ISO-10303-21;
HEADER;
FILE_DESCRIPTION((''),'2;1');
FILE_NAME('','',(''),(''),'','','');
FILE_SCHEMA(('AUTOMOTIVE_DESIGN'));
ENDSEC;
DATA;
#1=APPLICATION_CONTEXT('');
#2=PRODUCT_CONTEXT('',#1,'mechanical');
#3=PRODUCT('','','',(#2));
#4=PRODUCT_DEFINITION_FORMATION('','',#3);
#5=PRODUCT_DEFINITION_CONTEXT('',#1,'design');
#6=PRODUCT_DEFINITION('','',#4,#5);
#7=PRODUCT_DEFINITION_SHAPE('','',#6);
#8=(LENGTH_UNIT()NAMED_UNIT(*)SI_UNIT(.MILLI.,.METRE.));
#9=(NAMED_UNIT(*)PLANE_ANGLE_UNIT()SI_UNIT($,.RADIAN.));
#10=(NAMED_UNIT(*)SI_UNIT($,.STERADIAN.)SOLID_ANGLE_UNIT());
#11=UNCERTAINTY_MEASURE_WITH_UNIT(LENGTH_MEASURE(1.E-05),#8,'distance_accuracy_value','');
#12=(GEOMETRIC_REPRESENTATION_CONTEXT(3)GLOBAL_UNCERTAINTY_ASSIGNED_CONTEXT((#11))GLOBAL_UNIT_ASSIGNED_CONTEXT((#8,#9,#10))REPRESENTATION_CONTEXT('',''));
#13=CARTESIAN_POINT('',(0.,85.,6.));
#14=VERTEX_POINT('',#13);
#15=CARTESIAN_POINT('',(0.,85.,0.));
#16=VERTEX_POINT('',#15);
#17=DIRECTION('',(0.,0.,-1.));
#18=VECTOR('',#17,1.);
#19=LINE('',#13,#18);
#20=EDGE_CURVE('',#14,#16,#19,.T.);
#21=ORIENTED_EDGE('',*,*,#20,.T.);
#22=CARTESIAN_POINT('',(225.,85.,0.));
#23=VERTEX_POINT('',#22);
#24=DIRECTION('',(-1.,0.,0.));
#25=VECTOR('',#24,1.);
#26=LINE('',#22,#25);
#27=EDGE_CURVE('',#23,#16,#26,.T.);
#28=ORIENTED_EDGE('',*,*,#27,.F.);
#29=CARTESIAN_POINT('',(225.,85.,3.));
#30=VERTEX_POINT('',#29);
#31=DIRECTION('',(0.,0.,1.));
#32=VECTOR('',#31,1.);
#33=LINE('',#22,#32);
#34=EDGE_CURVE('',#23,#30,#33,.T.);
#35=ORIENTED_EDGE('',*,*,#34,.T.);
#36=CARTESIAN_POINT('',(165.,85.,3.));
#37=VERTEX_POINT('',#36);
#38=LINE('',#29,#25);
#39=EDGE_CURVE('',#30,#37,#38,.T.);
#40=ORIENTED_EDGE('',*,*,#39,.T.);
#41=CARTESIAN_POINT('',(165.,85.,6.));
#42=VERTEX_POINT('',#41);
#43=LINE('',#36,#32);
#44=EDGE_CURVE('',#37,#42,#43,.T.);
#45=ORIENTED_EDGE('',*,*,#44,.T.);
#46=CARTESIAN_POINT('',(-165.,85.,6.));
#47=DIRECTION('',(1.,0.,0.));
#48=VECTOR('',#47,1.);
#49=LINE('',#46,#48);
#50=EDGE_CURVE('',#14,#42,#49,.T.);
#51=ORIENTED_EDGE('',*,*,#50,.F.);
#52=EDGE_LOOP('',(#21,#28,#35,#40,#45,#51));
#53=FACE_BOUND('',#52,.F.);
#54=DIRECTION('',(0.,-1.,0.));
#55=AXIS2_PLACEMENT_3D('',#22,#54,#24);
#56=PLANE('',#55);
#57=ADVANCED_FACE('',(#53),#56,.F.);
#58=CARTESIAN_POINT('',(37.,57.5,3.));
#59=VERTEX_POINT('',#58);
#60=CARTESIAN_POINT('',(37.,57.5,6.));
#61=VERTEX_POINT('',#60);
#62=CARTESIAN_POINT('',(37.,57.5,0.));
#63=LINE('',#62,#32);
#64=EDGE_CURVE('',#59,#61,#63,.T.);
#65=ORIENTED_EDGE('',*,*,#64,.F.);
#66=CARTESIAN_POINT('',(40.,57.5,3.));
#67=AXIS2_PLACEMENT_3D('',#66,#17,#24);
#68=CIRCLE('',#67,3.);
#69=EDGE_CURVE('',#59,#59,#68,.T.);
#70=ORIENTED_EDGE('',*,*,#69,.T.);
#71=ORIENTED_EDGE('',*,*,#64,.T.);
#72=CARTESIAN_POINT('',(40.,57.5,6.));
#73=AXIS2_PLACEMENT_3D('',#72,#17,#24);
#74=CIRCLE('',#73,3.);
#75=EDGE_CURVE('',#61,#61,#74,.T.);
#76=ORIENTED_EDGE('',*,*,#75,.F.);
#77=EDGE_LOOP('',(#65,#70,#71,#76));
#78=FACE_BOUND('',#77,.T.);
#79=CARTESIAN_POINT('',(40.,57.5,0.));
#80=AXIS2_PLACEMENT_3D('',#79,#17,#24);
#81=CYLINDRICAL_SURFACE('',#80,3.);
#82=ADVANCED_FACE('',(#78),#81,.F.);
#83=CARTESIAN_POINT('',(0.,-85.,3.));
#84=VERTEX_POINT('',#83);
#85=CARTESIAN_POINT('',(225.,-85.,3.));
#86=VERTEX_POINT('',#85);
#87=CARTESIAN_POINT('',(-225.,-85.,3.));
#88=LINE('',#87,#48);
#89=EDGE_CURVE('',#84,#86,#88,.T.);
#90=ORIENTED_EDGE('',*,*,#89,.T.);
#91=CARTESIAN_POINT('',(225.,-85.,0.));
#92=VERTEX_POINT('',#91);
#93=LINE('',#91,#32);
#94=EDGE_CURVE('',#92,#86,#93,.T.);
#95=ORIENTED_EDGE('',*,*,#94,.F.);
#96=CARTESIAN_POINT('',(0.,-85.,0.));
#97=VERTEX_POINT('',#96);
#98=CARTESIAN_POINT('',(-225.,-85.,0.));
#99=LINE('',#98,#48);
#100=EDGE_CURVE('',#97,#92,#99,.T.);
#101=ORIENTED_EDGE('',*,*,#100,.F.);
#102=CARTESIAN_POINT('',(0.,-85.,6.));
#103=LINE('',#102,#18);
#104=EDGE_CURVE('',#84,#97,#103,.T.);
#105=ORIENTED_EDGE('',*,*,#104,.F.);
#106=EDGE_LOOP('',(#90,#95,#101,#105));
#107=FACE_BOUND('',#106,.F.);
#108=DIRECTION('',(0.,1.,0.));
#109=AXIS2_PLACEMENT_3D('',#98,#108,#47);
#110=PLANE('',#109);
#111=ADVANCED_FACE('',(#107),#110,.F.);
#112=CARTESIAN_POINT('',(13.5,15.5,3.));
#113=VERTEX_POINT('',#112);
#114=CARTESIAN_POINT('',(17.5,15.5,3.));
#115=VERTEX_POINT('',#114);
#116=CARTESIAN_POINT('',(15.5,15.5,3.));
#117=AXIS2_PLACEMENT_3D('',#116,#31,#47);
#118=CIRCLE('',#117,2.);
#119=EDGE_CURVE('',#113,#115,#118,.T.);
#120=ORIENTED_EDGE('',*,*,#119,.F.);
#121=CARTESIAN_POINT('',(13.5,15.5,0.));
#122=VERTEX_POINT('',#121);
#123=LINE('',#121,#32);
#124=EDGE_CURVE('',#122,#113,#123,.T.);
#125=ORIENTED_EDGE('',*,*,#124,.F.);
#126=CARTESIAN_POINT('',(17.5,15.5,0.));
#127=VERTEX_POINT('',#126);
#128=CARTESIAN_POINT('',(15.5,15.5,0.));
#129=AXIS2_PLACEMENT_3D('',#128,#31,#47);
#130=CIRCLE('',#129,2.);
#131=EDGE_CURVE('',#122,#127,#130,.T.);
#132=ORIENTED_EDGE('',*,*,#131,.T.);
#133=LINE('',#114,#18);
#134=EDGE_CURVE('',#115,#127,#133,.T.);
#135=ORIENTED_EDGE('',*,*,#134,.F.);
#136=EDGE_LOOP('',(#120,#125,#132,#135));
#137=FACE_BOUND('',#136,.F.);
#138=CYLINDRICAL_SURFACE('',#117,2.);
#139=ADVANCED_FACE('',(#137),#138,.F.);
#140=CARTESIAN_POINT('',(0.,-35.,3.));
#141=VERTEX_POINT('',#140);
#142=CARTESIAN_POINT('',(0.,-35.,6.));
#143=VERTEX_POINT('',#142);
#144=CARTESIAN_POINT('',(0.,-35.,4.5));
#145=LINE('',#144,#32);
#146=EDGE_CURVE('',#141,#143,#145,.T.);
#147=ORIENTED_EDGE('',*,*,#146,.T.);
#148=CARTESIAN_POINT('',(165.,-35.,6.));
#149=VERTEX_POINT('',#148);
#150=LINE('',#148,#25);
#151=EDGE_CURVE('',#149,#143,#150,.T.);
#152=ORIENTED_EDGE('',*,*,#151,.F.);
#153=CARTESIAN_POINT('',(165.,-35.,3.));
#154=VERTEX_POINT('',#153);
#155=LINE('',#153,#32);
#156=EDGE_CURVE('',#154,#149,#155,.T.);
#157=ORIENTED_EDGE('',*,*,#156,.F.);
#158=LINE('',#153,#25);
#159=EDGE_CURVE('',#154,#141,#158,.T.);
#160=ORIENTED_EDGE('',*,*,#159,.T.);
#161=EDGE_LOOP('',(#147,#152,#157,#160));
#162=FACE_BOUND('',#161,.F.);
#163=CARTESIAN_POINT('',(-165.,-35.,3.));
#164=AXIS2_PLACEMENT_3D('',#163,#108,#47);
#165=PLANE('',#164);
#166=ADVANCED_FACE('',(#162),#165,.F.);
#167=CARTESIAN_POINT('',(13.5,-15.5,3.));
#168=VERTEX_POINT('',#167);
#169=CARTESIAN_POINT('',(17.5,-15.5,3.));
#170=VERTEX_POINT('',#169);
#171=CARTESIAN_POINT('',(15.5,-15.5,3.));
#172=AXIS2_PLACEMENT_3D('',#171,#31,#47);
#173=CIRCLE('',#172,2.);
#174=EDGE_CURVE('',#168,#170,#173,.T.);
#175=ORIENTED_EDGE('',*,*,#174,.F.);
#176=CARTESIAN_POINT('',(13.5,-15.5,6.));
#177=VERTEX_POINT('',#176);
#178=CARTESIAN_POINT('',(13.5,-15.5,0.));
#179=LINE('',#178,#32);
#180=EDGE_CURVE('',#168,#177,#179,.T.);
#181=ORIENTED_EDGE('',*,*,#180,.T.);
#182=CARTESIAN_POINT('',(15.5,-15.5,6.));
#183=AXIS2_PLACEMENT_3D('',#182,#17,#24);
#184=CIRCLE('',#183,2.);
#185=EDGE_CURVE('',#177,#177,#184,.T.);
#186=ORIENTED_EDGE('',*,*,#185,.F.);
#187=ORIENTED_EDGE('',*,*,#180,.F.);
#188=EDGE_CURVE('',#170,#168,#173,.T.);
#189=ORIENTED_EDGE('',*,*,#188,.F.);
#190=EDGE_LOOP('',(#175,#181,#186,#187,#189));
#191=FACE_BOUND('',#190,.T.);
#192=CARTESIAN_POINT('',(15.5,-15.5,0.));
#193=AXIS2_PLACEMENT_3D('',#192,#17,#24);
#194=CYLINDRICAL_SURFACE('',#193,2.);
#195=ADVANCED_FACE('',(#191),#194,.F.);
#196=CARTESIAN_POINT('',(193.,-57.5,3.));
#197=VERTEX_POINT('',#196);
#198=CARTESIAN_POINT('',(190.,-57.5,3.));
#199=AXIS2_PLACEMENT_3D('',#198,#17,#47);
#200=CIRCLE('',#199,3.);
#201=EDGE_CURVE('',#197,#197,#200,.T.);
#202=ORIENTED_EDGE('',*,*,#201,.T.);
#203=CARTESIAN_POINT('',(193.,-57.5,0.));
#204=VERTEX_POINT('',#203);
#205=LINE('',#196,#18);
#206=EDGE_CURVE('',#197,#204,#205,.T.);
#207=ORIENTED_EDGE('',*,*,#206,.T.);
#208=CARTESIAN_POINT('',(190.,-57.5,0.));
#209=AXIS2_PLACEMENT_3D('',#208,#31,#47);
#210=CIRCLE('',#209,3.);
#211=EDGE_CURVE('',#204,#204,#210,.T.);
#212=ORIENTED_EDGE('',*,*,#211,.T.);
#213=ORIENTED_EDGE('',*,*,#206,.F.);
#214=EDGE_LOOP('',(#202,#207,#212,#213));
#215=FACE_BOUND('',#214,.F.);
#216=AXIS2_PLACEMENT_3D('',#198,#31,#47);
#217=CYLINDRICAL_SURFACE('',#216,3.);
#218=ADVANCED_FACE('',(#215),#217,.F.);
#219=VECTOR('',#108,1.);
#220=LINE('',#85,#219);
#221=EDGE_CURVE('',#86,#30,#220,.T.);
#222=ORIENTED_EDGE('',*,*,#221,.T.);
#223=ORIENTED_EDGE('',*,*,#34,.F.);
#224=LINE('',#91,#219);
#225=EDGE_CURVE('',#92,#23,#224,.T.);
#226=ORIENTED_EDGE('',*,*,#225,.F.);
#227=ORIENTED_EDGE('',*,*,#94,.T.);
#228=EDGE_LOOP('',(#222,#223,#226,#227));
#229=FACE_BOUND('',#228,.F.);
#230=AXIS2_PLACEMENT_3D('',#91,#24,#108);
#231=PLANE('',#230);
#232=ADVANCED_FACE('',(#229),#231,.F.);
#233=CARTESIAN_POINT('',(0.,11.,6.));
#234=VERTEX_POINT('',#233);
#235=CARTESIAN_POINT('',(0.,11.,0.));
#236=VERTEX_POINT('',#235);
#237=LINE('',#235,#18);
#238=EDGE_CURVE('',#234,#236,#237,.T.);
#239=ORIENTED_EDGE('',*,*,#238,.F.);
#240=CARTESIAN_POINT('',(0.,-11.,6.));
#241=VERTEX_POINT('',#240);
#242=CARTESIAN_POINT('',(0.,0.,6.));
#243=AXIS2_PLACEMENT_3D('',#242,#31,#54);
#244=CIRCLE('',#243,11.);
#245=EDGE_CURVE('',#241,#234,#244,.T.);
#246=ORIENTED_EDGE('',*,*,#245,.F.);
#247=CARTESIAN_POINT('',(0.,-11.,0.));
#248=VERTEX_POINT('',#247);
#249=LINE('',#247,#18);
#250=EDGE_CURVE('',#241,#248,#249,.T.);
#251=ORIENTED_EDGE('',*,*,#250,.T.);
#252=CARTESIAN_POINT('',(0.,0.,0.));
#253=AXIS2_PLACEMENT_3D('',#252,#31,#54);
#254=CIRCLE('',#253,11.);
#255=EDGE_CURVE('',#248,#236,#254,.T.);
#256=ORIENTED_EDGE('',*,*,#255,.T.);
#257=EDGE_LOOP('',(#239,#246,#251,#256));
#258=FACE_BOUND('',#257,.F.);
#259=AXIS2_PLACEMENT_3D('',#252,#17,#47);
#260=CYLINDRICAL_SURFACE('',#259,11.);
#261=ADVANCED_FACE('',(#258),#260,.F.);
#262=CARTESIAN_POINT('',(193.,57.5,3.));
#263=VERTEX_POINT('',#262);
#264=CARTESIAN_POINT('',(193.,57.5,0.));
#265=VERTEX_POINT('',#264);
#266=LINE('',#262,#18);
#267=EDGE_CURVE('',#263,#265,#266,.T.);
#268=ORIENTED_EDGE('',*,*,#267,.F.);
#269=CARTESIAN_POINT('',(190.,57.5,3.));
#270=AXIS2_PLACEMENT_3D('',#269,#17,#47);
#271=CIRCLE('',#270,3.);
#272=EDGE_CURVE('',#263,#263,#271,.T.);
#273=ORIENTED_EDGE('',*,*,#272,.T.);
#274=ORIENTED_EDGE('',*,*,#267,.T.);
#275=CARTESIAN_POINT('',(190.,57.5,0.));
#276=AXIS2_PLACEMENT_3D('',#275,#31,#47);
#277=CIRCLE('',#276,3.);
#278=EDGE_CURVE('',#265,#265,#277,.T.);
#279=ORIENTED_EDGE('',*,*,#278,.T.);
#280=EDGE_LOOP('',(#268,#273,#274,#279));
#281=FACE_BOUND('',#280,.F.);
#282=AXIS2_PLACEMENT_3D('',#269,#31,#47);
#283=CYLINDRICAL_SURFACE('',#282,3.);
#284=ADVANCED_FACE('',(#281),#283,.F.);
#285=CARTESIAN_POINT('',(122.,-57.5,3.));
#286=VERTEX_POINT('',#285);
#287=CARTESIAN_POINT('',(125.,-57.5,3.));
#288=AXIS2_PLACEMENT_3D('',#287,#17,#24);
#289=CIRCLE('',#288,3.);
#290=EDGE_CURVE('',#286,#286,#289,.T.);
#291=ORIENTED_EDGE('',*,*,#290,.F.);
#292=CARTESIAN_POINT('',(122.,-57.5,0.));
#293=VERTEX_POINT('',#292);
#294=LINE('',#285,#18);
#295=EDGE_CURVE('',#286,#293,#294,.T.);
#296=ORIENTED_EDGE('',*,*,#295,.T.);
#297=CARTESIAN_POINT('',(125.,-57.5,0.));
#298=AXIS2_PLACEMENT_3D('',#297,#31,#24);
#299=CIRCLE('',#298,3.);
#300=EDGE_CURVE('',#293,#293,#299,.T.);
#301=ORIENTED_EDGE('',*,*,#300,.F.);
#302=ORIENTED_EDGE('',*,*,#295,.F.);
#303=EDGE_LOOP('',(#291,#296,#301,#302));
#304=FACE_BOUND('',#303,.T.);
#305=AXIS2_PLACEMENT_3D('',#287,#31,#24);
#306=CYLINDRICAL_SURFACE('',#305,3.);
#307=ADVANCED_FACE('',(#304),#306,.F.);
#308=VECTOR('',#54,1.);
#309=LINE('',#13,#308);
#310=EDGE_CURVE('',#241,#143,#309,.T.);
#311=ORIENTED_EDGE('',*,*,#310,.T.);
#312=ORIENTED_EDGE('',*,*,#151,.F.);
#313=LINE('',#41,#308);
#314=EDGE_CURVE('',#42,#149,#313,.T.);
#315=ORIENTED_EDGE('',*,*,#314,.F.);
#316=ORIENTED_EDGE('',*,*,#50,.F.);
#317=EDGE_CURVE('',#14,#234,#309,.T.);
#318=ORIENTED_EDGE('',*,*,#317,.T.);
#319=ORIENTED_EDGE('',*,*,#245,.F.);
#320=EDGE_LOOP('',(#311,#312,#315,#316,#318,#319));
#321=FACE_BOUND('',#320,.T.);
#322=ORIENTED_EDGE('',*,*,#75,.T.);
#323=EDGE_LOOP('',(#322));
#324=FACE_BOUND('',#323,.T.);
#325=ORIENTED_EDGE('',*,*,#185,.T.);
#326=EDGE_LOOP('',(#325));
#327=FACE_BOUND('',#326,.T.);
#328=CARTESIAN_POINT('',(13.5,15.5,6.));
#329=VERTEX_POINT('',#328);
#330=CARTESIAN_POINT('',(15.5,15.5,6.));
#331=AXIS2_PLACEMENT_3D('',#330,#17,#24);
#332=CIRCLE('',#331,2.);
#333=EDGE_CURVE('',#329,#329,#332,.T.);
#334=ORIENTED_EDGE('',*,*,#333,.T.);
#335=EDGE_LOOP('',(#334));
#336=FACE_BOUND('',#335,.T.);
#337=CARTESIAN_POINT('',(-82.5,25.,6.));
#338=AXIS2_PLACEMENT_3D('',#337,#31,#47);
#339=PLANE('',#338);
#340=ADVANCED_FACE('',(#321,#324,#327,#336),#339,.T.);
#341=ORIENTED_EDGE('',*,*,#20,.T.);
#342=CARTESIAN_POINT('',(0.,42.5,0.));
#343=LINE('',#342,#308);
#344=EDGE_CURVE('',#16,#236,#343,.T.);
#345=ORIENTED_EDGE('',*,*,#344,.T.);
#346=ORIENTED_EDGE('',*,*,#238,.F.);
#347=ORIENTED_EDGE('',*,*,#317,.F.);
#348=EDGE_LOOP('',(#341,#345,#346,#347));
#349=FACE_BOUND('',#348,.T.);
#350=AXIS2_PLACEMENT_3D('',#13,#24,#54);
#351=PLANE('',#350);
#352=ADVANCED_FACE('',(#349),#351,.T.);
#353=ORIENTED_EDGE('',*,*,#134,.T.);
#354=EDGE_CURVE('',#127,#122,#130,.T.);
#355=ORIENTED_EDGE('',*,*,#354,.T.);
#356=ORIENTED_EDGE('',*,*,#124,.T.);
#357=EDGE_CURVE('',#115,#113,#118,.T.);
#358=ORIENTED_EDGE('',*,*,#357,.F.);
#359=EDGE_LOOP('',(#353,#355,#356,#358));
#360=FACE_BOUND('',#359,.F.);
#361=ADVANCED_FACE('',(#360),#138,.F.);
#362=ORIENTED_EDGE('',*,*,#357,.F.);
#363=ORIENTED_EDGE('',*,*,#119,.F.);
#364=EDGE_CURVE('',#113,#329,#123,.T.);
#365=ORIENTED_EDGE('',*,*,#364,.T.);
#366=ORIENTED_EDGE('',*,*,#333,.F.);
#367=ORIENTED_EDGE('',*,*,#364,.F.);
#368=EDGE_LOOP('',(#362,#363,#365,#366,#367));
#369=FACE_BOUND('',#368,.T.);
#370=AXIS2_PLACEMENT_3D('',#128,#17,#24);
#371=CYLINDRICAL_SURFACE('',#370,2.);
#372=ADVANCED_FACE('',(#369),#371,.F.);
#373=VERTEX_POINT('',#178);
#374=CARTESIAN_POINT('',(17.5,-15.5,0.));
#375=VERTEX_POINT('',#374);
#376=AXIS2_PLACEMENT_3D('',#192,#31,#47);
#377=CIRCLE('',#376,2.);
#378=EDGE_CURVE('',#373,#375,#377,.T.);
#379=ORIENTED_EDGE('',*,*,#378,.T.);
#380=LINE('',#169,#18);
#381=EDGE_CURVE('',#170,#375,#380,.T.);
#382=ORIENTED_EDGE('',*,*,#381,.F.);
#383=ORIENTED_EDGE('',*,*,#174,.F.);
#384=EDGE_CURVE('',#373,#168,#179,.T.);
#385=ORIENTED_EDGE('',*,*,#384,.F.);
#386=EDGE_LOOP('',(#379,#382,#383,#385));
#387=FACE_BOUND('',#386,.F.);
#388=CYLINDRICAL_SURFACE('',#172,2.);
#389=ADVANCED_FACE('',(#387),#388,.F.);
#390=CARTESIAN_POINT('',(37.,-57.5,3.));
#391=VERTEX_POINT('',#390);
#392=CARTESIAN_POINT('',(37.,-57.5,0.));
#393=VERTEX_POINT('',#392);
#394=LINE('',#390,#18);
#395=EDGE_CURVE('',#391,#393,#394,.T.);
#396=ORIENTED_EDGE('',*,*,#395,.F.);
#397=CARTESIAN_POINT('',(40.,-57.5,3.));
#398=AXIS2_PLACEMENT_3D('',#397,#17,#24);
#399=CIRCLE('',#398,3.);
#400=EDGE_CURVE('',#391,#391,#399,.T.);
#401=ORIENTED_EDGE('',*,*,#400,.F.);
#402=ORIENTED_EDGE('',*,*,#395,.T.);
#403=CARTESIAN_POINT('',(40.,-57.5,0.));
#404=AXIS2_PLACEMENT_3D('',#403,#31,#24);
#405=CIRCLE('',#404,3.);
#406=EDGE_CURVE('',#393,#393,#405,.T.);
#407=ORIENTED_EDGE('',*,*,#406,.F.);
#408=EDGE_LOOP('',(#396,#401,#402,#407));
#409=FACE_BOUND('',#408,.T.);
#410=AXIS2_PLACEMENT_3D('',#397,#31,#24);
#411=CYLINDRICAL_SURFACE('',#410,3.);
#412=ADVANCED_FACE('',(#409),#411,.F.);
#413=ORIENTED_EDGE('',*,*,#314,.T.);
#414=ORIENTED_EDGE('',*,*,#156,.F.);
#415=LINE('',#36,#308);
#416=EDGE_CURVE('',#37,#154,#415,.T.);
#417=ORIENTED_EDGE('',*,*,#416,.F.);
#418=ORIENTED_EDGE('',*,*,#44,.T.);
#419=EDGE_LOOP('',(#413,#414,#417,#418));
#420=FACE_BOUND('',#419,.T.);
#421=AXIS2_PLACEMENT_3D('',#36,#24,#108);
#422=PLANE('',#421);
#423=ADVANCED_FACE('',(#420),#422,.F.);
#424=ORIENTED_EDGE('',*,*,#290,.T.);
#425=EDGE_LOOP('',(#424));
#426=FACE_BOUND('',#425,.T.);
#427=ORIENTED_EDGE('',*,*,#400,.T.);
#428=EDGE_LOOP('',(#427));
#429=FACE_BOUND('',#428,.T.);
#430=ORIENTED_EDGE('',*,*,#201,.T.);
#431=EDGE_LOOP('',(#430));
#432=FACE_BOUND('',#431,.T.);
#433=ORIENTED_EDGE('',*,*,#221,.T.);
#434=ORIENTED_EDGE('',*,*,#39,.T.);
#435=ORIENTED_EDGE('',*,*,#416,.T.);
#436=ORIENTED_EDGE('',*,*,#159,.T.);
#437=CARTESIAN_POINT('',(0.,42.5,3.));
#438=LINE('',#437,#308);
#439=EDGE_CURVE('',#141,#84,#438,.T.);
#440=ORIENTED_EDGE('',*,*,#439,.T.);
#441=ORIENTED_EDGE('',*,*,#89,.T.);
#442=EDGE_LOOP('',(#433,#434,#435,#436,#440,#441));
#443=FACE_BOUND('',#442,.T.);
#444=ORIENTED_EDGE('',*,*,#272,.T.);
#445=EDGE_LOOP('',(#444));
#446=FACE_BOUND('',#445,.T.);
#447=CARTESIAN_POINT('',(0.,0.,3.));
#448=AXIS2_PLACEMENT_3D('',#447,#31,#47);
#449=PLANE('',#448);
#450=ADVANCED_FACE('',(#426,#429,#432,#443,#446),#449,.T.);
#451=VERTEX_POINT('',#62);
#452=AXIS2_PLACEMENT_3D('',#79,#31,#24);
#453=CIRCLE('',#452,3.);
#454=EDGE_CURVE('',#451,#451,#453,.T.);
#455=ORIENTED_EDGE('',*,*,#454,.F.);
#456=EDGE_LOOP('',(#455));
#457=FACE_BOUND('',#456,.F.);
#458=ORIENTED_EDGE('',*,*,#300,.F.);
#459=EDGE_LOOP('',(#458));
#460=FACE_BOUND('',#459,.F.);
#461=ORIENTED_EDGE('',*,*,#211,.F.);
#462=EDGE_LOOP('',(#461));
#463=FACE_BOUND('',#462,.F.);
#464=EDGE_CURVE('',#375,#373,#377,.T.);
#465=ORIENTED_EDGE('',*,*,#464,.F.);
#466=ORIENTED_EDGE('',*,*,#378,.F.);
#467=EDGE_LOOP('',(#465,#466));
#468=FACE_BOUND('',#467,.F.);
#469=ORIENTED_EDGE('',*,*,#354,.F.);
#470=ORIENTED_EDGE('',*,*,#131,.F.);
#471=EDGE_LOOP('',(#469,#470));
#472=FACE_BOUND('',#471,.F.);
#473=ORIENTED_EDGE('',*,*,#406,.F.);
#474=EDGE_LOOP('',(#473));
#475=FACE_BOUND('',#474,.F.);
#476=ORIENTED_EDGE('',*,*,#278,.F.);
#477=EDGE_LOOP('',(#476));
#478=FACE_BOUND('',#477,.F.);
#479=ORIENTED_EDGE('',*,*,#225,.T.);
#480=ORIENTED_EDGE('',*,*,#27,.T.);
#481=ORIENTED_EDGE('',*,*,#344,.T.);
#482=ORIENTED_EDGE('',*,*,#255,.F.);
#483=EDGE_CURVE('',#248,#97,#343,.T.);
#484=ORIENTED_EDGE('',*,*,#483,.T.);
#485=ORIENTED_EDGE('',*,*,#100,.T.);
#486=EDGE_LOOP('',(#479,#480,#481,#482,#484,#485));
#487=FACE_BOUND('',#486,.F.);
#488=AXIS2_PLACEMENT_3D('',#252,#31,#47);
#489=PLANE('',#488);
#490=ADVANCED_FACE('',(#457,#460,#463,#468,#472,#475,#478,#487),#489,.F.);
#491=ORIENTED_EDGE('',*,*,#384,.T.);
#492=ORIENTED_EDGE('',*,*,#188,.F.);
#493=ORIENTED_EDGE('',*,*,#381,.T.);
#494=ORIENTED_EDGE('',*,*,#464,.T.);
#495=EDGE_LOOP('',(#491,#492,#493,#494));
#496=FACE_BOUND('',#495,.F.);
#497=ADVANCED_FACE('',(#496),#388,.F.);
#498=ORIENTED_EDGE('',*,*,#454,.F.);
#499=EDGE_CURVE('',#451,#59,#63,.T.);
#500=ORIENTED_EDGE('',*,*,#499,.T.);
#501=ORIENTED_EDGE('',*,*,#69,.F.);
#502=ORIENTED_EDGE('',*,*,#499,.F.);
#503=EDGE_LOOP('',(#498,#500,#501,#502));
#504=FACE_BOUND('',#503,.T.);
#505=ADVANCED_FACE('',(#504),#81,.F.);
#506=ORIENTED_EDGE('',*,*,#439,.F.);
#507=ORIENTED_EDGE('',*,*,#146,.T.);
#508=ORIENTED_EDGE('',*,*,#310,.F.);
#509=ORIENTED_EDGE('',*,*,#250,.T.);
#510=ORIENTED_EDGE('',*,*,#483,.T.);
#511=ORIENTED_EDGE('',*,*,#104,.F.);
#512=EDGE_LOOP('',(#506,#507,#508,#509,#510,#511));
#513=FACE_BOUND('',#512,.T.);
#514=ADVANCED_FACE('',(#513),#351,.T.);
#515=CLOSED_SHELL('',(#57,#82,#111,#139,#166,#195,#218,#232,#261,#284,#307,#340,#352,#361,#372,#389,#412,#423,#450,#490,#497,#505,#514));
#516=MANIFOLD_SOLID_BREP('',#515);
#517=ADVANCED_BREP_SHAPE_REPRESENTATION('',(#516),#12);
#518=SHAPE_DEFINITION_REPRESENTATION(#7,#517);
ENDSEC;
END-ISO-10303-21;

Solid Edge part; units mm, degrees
sketch "Sketch1" plane through (0, 0, 0) normal (0, 0, 1) x (1, 0, 0)
  line L0 (-225, -85) -> (225, -85)
  line L1 (225, -85) -> (225, 85)
  line L2 (225, 85) -> (-225, 85)
  line L3 (-225, 85) -> (-225, -85)
  dimension "D1" = 450
  dimension "D2" = 170
extrude "Protrusion1" add sketch "Sketch1" along normal blind 3
sketch "Sketch2" plane through (0, 0, 3) normal (0, 0, 1) x (1, 0, 0)
  circle A0 centre (-190, 57.5) radius 3
  circle A1 centre (-190, -57.5) radius 3
  circle A2 centre (190, -57.5) radius 3
  circle A3 centre (190, 57.5) radius 3
  dimension "D1" = 380
  dimension "D2" = 115
  dimension "D3" = 6
extrude "Cutout1" cut sketch "Sketch2" against normal through all
sketch "Sketch3" plane through (0, 0, 3) normal (0, 0, 1) x (1, 0, 0)
  circle A0 centre (-15.5, 15.5) radius 2
  circle A1 centre (15.5, 15.5) radius 2
  circle A2 centre (15.5, -15.5) radius 2
  circle A3 centre (-15.5, -15.5) radius 2
  dimension "D1" = 31
  dimension "D2" = 4
extrude "Cutout2" cut sketch "Sketch3" against normal through all
sketch "Sketch4" plane through (-112.5, 0, 3) normal (0, 0, 1) x (1, 0, 0)
  circle A0 centre (-12.5, -57.5) radius 3
  dimension "D1" = 125
extrude "Cutout3" cut sketch "Sketch4" against normal through all
sketch "Sketch5" plane through (-112.5, 0, 3) normal (0, 0, 1) x (1, 0, 0)
  line L0 (112.5, 85) -> (-52.5, 85)
  line L1 (-52.5, 85) -> (-52.5, -35)
  line L2 (-52.5, -35) -> (112.5, -35)
  line L3 (112.5, -35) -> (112.5, 85)
  dimension "D1" = 120
  dimension "D2" = 165
extrude "Extrusionsausprägung_2" add sketch "Sketch5" along normal blind 3
sketch "Sketch6" plane through (-112.5, 0, 3) normal (0, 0, 1) x (1, 0, 0)
  circle A0 centre (72.5, 57.5) radius 3
  circle A1 centre (72.5, -57.5) radius 3
extrude "Cutout4" cut sketch "Sketch6" against normal through all
sketch "Sketch7" plane through (-112.5, 0, 0) normal (0, 0, -1) x (1, 0, 0)
  circle A0 centre (72.5, -57.5) radius 3
  circle A1 centre (97, 15.5) radius 2
  circle A2 centre (97, -15.5) radius 2
extrude "Cutout5" cut sketch "Sketch7" against normal through all
mirror "Mirror1" about plane through (0, 0, 0) normal (1, 0, 0) of "Extrusionsausprägung_2", "Cutout3"
mirror "Mirror2" about plane through (0, 0, 0) normal (1, 0, 0) of "Extrusionsausprägung_2", "Cutout3", "Cutout1"
mirror "Mirror3" about plane through (0, 0, 0) normal (1, 0, 0) of "Cutout5", "Cutout4"
sketch "Sketch8" plane through (0, 25, 6) normal (0, 0, 1) x (1, 0, 0)
  line L0 (0, 60) -> (0, -110)
extrude "Cutout8" cut sketch "Sketch8" against normal through all material side at (-0.05, 0, 6)
sketch "Sketch9" plane through (112.5, 0, 0) normal (0, 0, -1) x (1, 0, 0)
  circle A0 centre (-112.5, 0) radius 11
extrude "Cutout9" cut sketch "Sketch9" against normal through all
properties material "Nylon, allgemein"
